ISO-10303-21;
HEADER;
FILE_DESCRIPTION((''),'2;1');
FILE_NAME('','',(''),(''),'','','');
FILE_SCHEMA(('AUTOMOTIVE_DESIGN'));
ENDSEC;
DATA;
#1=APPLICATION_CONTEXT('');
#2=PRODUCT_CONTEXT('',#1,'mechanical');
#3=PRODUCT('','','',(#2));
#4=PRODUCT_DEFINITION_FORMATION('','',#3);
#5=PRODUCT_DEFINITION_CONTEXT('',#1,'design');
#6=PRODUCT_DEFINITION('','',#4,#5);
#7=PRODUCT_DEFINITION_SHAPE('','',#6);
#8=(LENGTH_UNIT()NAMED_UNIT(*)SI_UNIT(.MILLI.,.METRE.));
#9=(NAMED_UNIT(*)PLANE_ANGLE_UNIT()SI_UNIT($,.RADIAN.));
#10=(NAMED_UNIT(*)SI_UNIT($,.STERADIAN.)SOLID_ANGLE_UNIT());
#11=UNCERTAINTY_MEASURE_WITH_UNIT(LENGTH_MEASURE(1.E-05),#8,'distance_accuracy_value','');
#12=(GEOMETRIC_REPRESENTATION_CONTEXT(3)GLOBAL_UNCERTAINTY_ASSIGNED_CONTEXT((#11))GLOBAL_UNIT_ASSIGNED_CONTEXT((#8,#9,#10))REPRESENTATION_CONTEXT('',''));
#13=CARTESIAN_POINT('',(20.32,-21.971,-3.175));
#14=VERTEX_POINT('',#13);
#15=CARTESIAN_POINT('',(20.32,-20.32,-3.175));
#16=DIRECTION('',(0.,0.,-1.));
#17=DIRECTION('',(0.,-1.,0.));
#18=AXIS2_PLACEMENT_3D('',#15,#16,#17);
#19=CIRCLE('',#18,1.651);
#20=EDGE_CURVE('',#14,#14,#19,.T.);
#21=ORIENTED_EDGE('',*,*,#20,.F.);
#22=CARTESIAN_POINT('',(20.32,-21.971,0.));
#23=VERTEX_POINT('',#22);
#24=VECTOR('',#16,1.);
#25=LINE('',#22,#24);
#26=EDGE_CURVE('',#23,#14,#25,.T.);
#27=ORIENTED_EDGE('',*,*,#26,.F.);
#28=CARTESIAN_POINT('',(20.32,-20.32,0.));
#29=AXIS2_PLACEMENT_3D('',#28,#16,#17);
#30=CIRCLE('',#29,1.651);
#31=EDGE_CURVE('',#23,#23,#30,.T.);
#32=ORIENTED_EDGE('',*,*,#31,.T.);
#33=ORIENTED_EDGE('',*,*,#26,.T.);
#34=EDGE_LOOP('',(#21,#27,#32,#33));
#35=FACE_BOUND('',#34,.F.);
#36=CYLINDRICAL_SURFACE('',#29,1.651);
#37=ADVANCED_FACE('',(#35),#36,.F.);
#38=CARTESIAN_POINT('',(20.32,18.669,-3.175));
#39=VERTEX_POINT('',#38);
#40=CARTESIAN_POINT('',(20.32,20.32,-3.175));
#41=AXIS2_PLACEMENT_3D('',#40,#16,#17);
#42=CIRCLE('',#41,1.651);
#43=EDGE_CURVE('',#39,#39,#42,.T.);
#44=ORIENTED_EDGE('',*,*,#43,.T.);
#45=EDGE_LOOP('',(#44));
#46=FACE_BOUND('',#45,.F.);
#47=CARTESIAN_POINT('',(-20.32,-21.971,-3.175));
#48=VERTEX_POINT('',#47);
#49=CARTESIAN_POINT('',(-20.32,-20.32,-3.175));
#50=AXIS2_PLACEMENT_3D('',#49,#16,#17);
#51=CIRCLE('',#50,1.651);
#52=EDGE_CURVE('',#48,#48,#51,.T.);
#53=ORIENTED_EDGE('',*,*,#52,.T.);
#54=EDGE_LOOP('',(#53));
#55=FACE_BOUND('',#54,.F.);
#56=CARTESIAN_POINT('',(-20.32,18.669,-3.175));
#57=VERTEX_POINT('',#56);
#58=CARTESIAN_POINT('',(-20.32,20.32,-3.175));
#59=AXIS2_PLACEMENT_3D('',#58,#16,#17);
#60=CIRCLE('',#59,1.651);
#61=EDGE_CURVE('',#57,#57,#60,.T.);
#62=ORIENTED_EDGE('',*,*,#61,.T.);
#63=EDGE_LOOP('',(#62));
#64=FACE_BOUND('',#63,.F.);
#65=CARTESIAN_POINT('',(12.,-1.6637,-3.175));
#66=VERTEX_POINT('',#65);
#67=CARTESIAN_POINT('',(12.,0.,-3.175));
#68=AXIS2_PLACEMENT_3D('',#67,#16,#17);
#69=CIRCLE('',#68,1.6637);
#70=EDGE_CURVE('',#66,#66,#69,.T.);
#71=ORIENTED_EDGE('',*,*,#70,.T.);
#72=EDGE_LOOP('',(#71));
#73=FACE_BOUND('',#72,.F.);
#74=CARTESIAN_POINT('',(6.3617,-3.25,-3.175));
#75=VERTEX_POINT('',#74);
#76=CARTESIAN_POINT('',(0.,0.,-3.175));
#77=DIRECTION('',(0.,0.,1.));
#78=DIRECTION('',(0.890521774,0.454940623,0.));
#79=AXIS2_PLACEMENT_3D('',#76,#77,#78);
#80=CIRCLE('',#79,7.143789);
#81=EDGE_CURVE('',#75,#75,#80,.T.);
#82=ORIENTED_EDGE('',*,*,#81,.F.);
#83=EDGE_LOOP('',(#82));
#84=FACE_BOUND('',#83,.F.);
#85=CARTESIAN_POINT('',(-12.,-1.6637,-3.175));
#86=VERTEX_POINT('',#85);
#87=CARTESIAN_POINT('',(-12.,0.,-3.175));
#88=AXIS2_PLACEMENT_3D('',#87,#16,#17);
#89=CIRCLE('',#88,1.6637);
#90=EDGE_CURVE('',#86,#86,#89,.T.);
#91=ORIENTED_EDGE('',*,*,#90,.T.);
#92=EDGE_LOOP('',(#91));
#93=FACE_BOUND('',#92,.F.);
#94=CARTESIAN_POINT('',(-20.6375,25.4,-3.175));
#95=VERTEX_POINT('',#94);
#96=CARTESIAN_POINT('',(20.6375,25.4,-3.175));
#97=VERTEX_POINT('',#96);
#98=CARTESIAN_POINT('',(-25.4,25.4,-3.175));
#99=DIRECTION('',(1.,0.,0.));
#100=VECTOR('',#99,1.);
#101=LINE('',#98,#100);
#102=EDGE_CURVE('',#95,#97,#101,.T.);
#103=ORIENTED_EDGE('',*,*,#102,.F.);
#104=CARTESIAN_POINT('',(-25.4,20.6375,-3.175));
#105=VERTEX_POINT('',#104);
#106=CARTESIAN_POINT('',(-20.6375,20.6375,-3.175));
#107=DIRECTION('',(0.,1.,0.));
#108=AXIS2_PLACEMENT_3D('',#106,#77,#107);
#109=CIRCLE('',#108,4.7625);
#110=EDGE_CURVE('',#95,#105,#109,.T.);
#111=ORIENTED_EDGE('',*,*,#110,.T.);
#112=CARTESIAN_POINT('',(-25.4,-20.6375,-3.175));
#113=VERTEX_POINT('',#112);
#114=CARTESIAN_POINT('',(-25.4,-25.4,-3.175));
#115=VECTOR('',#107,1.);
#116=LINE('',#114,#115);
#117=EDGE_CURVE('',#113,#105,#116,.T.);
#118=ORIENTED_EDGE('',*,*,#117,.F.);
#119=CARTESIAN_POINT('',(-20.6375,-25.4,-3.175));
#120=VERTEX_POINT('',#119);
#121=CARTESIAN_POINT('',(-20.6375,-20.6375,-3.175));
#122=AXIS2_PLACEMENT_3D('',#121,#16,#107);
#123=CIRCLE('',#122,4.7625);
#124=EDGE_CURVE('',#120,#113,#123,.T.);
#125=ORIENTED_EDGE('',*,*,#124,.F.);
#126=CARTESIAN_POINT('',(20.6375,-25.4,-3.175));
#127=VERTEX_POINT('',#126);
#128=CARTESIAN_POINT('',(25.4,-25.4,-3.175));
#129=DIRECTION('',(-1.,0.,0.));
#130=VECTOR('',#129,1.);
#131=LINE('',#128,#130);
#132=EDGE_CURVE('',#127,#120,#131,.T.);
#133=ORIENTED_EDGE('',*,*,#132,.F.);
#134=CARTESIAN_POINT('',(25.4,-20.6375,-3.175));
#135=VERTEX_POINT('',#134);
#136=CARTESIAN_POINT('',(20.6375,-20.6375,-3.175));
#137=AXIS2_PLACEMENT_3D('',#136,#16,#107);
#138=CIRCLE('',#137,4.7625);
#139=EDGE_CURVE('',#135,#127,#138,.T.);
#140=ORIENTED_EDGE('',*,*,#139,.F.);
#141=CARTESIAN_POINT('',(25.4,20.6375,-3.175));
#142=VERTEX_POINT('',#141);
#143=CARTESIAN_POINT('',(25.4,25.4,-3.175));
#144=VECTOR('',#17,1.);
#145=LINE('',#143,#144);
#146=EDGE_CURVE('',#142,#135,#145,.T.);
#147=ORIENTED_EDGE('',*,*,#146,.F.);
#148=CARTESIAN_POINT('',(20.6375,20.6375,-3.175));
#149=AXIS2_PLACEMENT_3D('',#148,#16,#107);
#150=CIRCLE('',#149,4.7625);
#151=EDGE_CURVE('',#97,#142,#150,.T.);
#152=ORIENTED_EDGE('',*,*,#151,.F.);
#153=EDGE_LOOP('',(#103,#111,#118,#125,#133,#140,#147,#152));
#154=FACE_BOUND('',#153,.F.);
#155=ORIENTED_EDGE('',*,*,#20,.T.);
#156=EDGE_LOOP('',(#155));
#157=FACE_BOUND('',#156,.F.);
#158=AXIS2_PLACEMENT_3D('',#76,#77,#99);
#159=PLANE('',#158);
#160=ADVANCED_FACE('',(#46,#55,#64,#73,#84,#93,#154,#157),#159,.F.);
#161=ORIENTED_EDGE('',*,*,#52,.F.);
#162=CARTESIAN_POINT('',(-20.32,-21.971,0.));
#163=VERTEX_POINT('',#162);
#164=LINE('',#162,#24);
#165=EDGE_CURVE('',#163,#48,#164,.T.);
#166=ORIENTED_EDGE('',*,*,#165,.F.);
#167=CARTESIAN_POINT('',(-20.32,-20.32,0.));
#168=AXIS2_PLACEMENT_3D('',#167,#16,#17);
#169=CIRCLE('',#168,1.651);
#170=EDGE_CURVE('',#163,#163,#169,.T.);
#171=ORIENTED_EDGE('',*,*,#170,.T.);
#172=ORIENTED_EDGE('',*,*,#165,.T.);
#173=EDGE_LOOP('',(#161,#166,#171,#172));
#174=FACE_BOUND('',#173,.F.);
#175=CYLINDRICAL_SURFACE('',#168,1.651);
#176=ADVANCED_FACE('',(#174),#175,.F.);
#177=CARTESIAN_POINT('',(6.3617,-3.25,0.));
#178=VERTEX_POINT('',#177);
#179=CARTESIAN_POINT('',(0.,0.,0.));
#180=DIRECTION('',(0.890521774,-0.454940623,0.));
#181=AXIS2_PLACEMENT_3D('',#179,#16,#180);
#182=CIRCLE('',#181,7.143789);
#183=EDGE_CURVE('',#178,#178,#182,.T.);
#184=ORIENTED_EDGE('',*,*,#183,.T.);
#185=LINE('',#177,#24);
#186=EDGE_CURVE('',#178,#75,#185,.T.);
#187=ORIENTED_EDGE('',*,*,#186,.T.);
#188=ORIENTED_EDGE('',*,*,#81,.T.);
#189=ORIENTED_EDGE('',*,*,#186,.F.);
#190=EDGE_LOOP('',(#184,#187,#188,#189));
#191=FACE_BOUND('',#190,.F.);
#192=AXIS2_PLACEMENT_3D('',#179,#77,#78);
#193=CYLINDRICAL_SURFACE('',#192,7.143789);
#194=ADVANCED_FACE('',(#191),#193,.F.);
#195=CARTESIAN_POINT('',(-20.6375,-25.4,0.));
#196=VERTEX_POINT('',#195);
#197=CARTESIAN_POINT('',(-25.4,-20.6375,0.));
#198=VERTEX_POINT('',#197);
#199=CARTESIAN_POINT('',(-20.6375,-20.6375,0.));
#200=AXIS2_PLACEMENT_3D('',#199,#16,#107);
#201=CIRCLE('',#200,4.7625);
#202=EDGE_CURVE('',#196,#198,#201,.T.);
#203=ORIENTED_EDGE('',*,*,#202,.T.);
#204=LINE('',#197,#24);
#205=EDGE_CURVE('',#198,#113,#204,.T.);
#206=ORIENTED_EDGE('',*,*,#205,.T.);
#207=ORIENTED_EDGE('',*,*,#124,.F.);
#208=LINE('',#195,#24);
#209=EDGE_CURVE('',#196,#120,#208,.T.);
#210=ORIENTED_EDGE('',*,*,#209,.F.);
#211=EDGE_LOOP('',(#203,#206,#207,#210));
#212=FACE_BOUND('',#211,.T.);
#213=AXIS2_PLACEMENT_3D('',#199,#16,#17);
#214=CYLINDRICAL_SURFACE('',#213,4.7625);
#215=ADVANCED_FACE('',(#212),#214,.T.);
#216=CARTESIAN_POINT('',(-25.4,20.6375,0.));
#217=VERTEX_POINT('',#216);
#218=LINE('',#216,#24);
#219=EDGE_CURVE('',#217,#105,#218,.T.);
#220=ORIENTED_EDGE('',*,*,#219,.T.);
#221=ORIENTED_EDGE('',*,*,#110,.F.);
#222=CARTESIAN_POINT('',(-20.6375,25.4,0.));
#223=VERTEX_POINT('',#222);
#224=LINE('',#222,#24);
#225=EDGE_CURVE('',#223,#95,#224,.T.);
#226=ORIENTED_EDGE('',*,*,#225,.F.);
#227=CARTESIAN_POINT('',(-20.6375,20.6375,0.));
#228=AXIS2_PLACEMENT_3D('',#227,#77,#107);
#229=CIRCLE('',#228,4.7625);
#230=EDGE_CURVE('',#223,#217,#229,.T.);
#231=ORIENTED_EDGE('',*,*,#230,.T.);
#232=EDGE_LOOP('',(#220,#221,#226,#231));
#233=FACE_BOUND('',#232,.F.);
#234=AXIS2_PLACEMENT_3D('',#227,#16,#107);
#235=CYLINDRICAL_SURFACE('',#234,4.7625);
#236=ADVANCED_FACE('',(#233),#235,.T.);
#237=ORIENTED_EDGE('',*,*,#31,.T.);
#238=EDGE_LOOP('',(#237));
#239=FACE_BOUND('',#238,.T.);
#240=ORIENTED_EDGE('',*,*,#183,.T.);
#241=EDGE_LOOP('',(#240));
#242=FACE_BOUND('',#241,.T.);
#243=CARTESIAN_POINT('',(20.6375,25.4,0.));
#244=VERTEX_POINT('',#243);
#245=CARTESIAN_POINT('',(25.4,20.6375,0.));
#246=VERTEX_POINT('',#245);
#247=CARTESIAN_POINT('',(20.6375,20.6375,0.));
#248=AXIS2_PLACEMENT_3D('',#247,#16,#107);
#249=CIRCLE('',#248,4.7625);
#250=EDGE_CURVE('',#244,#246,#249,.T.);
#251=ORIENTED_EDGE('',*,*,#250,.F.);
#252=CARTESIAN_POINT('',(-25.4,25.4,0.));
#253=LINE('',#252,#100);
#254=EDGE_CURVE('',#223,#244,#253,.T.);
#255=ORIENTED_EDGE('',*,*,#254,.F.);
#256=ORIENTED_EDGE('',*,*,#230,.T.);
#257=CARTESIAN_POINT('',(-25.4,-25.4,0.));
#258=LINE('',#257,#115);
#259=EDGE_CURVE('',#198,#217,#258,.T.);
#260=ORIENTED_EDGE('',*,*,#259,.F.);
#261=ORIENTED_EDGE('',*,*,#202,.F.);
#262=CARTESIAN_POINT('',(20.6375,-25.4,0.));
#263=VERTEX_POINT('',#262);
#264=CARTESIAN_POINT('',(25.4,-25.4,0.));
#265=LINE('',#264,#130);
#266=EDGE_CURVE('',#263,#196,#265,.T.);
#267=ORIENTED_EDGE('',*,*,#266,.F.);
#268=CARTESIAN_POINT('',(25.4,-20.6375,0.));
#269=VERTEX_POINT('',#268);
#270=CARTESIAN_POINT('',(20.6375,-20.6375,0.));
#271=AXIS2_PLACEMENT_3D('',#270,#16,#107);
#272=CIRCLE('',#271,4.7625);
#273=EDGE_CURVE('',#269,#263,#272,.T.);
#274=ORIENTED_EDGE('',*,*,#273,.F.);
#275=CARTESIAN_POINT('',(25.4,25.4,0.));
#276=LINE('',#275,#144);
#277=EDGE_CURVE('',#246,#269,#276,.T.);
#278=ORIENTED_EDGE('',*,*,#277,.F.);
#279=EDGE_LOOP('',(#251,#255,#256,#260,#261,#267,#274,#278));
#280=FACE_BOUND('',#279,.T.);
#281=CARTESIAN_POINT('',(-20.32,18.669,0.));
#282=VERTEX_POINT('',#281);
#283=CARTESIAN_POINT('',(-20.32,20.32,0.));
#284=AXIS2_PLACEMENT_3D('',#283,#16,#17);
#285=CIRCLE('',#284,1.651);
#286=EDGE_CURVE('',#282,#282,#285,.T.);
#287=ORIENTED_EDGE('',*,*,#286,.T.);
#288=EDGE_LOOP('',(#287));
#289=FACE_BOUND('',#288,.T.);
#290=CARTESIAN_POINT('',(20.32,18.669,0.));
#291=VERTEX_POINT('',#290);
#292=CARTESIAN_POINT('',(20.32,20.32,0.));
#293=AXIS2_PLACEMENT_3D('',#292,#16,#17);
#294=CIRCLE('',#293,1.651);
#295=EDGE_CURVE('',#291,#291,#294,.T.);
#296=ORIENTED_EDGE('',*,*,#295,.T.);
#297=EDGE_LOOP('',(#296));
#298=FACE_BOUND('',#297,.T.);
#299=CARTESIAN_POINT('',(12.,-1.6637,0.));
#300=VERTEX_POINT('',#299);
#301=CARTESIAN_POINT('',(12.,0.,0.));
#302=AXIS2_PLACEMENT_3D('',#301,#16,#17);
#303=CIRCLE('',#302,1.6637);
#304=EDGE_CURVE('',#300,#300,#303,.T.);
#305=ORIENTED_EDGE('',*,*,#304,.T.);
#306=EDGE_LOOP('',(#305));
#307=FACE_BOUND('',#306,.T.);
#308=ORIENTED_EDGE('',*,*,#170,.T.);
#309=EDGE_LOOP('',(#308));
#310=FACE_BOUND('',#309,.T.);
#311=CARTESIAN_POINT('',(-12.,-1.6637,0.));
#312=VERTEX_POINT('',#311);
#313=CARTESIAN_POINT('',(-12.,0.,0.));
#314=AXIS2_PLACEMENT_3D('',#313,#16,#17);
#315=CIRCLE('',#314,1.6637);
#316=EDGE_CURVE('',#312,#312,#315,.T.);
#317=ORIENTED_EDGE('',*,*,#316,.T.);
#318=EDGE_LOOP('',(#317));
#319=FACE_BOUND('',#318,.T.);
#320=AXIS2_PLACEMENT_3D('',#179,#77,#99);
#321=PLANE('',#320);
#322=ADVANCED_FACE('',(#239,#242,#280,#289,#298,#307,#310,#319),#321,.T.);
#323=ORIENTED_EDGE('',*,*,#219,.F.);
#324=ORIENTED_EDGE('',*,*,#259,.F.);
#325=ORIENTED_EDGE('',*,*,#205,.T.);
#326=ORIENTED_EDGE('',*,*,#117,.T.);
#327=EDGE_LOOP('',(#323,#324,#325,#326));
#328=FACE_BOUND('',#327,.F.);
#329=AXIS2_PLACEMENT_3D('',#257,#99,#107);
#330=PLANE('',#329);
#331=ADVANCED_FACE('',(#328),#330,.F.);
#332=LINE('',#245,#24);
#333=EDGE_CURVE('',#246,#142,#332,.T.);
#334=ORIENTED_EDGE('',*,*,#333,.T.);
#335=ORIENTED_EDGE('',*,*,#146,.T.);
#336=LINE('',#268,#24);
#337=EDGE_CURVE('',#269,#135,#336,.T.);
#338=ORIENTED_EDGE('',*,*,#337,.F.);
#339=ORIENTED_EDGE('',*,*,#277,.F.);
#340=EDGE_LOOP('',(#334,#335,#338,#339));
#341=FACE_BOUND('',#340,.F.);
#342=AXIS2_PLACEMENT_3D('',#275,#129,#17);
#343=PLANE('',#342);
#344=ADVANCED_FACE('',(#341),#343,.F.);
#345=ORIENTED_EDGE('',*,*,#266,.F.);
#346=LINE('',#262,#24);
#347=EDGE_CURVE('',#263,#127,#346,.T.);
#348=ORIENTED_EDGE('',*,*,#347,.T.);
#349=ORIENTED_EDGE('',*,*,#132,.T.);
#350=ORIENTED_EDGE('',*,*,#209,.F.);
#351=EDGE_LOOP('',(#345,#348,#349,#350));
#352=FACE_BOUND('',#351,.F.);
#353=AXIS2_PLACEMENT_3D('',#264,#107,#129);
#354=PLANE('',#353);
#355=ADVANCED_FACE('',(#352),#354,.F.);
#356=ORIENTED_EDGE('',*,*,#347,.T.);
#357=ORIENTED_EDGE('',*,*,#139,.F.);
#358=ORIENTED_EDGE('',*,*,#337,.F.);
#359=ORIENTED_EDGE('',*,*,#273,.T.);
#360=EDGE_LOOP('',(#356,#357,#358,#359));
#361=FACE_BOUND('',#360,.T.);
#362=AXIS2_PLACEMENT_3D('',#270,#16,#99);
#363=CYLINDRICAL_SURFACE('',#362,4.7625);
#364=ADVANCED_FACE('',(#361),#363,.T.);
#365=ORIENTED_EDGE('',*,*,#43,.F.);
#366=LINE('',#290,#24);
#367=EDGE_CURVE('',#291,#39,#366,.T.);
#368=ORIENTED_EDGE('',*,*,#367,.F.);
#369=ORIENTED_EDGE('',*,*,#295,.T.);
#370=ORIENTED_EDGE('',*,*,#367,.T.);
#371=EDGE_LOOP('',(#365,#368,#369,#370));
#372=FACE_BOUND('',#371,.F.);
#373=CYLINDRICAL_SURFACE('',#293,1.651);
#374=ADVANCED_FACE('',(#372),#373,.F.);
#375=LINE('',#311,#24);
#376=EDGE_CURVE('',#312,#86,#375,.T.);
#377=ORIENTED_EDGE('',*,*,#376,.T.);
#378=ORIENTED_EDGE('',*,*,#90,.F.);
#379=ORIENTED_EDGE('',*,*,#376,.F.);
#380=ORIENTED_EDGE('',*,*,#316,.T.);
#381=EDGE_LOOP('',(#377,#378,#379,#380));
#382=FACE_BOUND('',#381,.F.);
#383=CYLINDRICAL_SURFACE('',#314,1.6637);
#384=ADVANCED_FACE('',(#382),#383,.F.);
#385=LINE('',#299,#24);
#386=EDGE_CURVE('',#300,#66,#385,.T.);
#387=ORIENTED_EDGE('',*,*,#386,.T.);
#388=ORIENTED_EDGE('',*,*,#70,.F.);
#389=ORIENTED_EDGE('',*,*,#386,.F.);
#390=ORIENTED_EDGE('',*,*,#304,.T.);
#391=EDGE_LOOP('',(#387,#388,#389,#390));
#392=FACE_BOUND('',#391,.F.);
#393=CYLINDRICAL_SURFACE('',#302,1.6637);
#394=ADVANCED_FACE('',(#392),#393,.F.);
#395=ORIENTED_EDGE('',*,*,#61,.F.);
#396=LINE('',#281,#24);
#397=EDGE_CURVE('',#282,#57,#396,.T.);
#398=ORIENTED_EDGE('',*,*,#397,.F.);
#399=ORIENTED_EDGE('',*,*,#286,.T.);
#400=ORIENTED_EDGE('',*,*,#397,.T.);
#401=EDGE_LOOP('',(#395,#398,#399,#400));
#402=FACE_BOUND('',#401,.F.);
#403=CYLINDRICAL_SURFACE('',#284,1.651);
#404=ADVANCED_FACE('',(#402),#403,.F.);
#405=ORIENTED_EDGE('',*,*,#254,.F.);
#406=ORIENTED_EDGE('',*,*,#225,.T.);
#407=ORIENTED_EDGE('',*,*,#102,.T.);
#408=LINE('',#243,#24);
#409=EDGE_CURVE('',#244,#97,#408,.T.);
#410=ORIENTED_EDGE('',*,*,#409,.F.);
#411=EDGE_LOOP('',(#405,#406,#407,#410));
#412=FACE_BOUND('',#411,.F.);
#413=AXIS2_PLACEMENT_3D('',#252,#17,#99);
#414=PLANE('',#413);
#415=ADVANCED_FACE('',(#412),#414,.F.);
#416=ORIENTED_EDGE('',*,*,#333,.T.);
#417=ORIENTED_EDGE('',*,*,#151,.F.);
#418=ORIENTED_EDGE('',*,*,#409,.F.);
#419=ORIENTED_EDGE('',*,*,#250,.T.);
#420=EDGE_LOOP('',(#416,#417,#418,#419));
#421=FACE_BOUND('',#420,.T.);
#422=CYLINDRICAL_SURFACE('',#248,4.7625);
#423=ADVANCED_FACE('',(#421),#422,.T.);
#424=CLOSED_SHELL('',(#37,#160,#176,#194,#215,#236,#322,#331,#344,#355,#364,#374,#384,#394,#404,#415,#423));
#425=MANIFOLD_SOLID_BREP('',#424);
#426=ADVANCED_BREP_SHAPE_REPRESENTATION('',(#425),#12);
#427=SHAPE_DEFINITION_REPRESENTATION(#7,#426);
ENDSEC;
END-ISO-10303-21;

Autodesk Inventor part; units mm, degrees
ref_plane "YZ Plane" through (0, 0, 0) normal (1, 0, 0) x (0, 1, 0)
ref_plane "XZ Plane" through (0, 0, 0) normal (0, 1, 0) x (-1, 0, 0)
ref_plane "XY Plane" through (0, 0, 0) normal (0, 0, 1) x (1, 0, 0)
sketch "Sketch1" plane through (0, 0, 0) normal (0, 0, 1) x (1, 0, 0)
  line L0 (-13, 12) -> (13, 12)
  line L1 (13, 12) -> (13, -12)
  line L2 (13, -12) -> (-13, -12)
  line L3 (-13, -12) -> (-13, 12)
  line L4 (-13, 3.25) -> (-15, 3.25)
  line L5 (-15, 3.25) -> (-15, -3.25)
  line L6 (-15, -3.25) -> (-13, -3.25)
  line L7 (-13, -3.25) -> (-13, 3.25)
  line L8 (13, 3.25) -> (15, 3.25)
  line L9 (15, 3.25) -> (15, -3.25)
  line L10 (15, -3.25) -> (13, -3.25)
  line L11 (13, -3.25) -> (13, 3.25)
  line L12 (-25.4, 25.4) -> (25.4, 25.4)
  line L13 (25.4, 25.4) -> (25.4, -25.4)
  line L14 (25.4, -25.4) -> (-25.4, -25.4)
  line L15 (-25.4, -25.4) -> (-25.4, 25.4)
  arc A0 (6.3617, 3.25) -> (-6.3617, 3.25) centre (0, 0) ccw
  circle A1 centre (-3, 12) radius 1.5
  line L16 (-13, 8) -> (-9, 12)
  line L17 (9, 12) -> (13, 8)
  line L18 (13, -8) -> (9, -12)
  line L19 (-13, -8) -> (-9, -12)
  line L20 (-14, 3.25) -> (14, 3.25)
  line L21 (-14, -3.25) -> (-6.3617, -3.25)
  arc A2 (6.3617, -3.25) -> (6.3617, 3.25) centre (0, 0) ccw
  arc A3 (-6.3617, 3.25) -> (-6.3617, -3.25) centre (0, 0) ccw
  arc A4 (-6.3617, -3.25) -> (6.3617, -3.25) centre (0, 0) ccw
  line L22 (-6.3617, -3.25) -> (14, -3.25)
  line L23 (-15, 3.25) -> (15, 3.25)
  line L24 (15, 3.25) -> (15, -3.25)
  line L25 (15, -3.25) -> (-15, -3.25)
  line L26 (-15, -3.25) -> (-15, 3.25)
  point P0 (-20.32, 20.32)
  point P1 (20.32, 20.32)
  point P2 (20.32, -20.32)
  point P3 (-20.32, -20.32)
  point P4 (-12, 0)
  point P5 (12, 0)
  dimension "d53" = 3.302
  dimension "d0" = 24
  dimension "d1" = 12
  dimension "d2" = 26
  dimension "d3" = 13
  dimension "d4" = 2
  dimension "d5" = 6.5
  dimension "d6" = 3.25
  dimension "d7" = 2
  dimension "d8" = 14.2875
  dimension "d9" = 50.8
  dimension "d10" = 25.4
  dimension "d11" = 50.8
  dimension "d12" = 25.4
  dimension "d13" = 3
  dimension "d14" = 10
  dimension "d15" = 4
  dimension "d16" = 4
  dimension "d17" = 4
  dimension "d18" = 4
  dimension "d19" = 4
  dimension "d20" = 5.08
  dimension "d21" = 5.08
  dimension "d22" = 5.08
  dimension "d23" = 5.08
  dimension "d34" = 40.64
  dimension "d35" = 40.64
  dimension "d61" = 12
  dimension "d62" = 12
extrude "Extrusion1" add sketch "Sketch1" against normal blind 3.175 contours L0 L16 L3 | L0 A1 L17 L1 L20 A0 L3 L16 | A1 L0 | L0 A1 | L20 A3 L21 L3 | L3 L6 L5 L4 | L21 A4 L22 L1 L18 L2 L19 L3 | A0 L20 | L20 A2 L22 A3 | L0 L1 L17 | L19 L2 L3 | L22 A4 | L20 L1 L22 A2 | L8 L9 L10 L1 | L18 L1 L2 | L12 L13 L14 L15
fillet "Fillet2" radius 4.7625 4 edges at (25.4, 25.4, -1.5875) (25.4, -25.4, -1.5875) (-25.4, 25.4, -1.5875) (-25.4, -25.4, -1.5875)
hole "Hole2" at (-20.32, 20.32, 0) at (20.32, 20.32, 0) at (20.32, -20.32, 0) at (-20.32, -20.32, 0) direction (0, 0, -1) diameter 3.302 end through all thread size "8-32 UNC" class "2B" standard "ANSI Unified Screw Threads"
extrude "Extrusion6" cut sketch "Sketch1" against normal through all contours A0 L20 | L20 A2 L22 A3 | L22 A4
hole "Hole3" at (-12, 0, 0) at (12, 0, 0) direction (0, 0, -1) diameter 3.3274 end through all
equation "\"d1\" = 0.5 * d0"
equation "\"d3\" = 0.5 * d2"
equation "\"d6\" = 0.5 * d5"
equation "\"d7\" = d4"
equation "\"d10\" = 0.5 * d9"
equation "\"d12\" = 0.5 * d11"
equation "\"d16\" = d15"
equation "\"d17\" = d15"
equation "\"d18\" = d15"
equation "\"d19\" = d15"
equation "\"d22\" = d21"
equation "\"d23\" = d21"
equation "\"d62\" = d61"
properties part number "BD gearbox mount top plate"
